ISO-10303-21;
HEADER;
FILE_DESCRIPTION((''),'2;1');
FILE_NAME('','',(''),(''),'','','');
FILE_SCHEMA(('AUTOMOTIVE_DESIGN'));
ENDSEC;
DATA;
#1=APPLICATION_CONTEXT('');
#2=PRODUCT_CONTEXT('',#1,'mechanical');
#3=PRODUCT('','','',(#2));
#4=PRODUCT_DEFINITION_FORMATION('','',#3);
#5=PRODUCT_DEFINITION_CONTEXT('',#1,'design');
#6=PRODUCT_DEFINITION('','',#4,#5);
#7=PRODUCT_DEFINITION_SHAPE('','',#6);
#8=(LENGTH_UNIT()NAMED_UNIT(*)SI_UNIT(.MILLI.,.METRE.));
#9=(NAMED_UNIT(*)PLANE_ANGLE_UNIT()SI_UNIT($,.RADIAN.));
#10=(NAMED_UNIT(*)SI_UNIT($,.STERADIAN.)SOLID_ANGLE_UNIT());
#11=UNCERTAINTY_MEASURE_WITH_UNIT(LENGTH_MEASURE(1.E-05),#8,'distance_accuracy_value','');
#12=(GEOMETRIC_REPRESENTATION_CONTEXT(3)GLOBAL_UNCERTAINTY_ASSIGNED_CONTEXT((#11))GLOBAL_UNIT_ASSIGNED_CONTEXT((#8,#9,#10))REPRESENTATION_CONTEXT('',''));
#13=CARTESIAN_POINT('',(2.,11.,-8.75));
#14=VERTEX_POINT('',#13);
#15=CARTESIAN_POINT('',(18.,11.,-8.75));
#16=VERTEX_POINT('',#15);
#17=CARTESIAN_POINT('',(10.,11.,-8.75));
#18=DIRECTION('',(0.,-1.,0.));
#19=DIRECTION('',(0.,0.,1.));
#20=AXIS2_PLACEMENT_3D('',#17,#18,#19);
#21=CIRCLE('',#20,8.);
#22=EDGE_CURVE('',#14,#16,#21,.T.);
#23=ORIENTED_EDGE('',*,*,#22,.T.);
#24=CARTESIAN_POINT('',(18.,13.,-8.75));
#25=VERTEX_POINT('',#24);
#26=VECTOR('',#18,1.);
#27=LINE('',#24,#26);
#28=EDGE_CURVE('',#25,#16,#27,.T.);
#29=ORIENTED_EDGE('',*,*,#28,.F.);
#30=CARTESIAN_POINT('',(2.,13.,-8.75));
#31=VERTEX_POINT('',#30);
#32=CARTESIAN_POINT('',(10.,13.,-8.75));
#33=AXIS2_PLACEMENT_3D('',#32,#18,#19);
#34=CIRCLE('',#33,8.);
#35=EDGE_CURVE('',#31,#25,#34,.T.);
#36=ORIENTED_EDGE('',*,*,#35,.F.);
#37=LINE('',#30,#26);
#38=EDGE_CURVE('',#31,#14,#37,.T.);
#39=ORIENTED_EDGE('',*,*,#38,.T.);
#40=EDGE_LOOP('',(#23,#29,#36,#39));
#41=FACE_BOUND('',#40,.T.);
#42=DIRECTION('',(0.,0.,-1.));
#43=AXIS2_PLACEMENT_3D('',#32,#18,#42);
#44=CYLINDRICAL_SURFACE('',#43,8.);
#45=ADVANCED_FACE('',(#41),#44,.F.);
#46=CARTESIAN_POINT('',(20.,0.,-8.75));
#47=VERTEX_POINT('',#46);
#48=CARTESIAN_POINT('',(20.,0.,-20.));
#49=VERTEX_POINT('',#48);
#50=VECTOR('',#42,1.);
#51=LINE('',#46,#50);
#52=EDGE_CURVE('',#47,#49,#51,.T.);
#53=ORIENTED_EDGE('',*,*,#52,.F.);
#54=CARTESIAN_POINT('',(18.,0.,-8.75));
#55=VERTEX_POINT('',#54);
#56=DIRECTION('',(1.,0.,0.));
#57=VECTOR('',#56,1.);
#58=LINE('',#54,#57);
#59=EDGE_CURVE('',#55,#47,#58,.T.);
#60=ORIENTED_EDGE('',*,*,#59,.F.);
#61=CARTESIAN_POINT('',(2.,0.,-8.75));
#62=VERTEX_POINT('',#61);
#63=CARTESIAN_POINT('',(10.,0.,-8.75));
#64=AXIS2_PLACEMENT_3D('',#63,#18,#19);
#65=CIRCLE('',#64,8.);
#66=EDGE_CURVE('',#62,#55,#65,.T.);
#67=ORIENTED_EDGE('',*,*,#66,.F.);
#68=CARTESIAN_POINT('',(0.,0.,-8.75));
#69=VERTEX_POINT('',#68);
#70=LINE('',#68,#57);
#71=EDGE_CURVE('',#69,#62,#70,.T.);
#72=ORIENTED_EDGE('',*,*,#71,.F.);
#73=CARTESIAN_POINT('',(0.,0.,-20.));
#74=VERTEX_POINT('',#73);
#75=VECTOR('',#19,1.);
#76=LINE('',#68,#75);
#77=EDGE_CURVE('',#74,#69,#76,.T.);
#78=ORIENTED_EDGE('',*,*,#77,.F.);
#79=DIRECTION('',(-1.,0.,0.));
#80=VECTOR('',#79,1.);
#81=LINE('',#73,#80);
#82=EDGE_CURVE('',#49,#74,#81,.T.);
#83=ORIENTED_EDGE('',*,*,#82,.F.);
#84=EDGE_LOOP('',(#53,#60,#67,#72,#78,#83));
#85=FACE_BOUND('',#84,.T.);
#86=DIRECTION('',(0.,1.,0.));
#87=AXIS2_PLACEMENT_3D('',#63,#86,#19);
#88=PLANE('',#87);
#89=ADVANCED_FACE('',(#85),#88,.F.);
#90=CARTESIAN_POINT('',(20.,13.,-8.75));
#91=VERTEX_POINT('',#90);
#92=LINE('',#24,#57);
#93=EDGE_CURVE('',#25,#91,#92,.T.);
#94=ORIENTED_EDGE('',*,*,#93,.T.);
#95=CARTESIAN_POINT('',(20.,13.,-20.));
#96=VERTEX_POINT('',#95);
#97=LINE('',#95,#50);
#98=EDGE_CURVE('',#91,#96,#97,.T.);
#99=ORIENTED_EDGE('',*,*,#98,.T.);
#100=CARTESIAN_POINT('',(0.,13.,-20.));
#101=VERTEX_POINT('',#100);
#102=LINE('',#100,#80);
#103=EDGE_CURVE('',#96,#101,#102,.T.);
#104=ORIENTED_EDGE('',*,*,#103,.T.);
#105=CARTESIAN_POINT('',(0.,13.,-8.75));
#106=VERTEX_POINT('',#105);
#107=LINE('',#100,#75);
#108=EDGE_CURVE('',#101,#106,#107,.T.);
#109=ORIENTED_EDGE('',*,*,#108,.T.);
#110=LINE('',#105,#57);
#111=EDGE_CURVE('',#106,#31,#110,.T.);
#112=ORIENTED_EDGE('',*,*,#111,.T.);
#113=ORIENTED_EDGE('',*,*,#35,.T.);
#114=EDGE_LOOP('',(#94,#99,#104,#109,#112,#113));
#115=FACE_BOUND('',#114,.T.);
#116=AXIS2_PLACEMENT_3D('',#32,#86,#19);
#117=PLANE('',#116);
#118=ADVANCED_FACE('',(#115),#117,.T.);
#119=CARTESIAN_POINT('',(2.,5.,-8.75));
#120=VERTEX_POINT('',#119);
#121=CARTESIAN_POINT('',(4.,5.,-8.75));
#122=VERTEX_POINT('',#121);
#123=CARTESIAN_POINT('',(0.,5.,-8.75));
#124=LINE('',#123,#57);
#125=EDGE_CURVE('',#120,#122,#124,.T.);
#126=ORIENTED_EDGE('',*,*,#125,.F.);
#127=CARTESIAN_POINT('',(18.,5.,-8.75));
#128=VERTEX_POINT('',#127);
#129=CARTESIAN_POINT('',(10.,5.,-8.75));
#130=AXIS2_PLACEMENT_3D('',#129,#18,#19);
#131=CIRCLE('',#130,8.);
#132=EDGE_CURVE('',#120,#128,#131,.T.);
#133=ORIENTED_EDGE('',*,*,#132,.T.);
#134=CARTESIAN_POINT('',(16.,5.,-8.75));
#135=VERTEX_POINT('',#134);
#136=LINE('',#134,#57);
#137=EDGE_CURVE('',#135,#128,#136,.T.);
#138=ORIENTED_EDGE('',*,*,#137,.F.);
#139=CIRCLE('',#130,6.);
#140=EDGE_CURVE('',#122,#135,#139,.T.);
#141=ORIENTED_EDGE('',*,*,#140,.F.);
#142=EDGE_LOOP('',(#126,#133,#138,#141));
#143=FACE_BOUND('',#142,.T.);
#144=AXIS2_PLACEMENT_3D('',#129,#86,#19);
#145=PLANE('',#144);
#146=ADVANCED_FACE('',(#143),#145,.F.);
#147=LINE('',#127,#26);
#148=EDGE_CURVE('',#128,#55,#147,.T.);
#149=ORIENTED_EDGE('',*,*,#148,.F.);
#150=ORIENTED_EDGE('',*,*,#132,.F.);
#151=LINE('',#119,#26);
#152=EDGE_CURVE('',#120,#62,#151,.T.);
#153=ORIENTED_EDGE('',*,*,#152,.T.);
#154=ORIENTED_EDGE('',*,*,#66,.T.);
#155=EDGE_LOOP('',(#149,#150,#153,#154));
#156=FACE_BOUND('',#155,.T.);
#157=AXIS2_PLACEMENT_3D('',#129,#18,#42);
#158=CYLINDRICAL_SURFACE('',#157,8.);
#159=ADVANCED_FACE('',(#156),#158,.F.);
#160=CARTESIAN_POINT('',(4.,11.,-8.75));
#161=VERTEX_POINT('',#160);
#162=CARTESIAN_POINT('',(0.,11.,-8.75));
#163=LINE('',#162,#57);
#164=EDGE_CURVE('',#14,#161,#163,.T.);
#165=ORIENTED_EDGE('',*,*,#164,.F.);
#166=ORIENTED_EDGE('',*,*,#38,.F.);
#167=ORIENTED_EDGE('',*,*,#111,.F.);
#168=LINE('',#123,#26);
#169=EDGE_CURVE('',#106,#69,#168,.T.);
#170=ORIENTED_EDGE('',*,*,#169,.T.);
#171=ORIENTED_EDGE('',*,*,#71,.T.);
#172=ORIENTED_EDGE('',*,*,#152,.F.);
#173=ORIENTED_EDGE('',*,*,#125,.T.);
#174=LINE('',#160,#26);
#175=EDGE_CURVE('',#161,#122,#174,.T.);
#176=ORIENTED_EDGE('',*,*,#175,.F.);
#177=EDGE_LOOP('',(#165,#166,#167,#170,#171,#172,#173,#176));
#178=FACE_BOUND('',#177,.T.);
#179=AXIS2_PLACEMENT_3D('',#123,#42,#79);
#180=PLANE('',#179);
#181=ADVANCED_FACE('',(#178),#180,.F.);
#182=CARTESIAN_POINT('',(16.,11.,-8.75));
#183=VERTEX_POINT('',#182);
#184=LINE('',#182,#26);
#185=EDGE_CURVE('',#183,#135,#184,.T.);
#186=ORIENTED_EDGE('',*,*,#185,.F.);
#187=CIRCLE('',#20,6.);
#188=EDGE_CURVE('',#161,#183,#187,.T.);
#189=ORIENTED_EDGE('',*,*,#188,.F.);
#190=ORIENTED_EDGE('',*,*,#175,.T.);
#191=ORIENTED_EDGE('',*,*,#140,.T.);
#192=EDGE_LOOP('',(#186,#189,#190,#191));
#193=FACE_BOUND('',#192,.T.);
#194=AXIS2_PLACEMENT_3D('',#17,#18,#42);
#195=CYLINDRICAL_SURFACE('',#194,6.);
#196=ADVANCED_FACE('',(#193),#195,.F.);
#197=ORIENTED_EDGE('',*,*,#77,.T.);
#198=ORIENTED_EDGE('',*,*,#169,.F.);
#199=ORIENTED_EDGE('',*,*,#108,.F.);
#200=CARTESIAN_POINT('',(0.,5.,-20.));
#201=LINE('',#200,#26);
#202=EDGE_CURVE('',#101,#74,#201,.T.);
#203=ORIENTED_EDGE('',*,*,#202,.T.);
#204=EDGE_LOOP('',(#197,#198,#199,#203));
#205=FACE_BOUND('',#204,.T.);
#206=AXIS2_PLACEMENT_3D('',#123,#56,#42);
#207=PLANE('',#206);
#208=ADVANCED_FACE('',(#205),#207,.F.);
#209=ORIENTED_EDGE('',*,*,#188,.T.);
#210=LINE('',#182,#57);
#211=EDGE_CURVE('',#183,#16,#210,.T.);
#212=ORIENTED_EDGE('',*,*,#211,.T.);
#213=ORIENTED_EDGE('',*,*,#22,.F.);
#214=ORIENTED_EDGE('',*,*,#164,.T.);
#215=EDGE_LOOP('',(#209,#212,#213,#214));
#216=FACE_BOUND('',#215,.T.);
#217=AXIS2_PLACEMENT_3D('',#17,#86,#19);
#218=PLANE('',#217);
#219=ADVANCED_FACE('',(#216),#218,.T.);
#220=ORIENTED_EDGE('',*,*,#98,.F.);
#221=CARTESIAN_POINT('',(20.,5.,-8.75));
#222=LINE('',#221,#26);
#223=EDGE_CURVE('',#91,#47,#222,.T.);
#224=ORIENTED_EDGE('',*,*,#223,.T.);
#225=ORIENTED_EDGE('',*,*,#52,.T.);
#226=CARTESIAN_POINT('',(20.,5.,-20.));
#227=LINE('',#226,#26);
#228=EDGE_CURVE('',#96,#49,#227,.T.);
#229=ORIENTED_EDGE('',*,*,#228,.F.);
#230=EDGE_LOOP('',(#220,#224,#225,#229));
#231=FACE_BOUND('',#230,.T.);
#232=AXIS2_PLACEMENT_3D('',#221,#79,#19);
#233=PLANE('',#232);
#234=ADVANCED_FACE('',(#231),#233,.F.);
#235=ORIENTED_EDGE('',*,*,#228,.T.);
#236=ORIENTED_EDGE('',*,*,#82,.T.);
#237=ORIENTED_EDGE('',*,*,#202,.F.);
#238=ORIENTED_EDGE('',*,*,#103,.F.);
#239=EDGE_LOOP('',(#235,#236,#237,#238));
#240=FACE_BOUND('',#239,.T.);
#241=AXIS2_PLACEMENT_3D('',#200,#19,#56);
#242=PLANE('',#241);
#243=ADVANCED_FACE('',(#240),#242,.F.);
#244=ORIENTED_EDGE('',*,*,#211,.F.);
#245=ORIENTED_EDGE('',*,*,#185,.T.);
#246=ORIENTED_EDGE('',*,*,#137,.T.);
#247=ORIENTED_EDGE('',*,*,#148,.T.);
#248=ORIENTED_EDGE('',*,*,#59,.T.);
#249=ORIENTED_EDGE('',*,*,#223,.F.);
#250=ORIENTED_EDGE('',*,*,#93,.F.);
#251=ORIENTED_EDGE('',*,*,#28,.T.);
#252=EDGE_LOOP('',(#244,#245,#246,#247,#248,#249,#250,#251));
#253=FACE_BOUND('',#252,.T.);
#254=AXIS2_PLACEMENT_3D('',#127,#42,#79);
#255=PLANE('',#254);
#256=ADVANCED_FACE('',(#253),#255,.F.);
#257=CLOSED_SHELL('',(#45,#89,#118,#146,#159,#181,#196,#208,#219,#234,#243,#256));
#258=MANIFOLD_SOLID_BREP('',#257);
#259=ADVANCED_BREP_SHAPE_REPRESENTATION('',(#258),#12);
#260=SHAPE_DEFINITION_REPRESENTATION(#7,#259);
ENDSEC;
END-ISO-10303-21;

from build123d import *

# Parameters (mm, degrees)
EXTRUDE_1_DEPTH = 5
EXTRUDE_2_DEPTH = 6
EXTRUDE_3_DEPTH = 2


with BuildPart() as part:
    # 草图1 → 凸台-拉伸1 (new body)
    with BuildSketch(Plane(origin=(0, 0, 0), x_dir=(1, 0, 0), z_dir=(0, 1, 0))):
        with BuildLine():
            Line((0, 8.75), (2, 8.75))
            ThreePointArc((2, 8.75), (10, 16.75), (18, 8.75))
            Line((18, 8.75), (20, 8.75))
            Line((20, 8.75), (20, 20))
            Line((20, 20), (0, 20))
            Line((0, 20), (0, 8.75))
        make_face()
    extrude(amount=EXTRUDE_1_DEPTH)

    # 草图2 → 凸台-拉伸2 (add)
    with BuildSketch(Plane(origin=(0, 5, 0), x_dir=(1, 0, 0), z_dir=(0, 1, 0))):
        with BuildLine():
            Line((16, 8.75), (20, 8.75))
            Line((20, 8.75), (20, 20))
            Line((20, 20), (0, 20))
            Line((0, 20), (0, 8.75))
            Line((0, 8.75), (4, 8.75))
            ThreePointArc((4, 8.75), (10, 14.75), (16, 8.75))
        make_face()
    extrude(amount=EXTRUDE_2_DEPTH)

    # 草图3 → 凸台-拉伸3 (add)
    with BuildSketch(Plane(origin=(0, 11, 0), x_dir=(1, 0, 0), z_dir=(0, 1, 0))):
        with BuildLine():
            Line((18, 8.75), (20, 8.75))
            Line((20, 8.75), (20, 20))
            Line((20, 20), (0, 20))
            Line((0, 20), (0, 8.75))
            Line((0, 8.75), (2, 8.75))
            ThreePointArc((2, 8.75), (10, 16.75), (18, 8.75))
        make_face()
    extrude(amount=EXTRUDE_3_DEPTH)


solid = part.part
